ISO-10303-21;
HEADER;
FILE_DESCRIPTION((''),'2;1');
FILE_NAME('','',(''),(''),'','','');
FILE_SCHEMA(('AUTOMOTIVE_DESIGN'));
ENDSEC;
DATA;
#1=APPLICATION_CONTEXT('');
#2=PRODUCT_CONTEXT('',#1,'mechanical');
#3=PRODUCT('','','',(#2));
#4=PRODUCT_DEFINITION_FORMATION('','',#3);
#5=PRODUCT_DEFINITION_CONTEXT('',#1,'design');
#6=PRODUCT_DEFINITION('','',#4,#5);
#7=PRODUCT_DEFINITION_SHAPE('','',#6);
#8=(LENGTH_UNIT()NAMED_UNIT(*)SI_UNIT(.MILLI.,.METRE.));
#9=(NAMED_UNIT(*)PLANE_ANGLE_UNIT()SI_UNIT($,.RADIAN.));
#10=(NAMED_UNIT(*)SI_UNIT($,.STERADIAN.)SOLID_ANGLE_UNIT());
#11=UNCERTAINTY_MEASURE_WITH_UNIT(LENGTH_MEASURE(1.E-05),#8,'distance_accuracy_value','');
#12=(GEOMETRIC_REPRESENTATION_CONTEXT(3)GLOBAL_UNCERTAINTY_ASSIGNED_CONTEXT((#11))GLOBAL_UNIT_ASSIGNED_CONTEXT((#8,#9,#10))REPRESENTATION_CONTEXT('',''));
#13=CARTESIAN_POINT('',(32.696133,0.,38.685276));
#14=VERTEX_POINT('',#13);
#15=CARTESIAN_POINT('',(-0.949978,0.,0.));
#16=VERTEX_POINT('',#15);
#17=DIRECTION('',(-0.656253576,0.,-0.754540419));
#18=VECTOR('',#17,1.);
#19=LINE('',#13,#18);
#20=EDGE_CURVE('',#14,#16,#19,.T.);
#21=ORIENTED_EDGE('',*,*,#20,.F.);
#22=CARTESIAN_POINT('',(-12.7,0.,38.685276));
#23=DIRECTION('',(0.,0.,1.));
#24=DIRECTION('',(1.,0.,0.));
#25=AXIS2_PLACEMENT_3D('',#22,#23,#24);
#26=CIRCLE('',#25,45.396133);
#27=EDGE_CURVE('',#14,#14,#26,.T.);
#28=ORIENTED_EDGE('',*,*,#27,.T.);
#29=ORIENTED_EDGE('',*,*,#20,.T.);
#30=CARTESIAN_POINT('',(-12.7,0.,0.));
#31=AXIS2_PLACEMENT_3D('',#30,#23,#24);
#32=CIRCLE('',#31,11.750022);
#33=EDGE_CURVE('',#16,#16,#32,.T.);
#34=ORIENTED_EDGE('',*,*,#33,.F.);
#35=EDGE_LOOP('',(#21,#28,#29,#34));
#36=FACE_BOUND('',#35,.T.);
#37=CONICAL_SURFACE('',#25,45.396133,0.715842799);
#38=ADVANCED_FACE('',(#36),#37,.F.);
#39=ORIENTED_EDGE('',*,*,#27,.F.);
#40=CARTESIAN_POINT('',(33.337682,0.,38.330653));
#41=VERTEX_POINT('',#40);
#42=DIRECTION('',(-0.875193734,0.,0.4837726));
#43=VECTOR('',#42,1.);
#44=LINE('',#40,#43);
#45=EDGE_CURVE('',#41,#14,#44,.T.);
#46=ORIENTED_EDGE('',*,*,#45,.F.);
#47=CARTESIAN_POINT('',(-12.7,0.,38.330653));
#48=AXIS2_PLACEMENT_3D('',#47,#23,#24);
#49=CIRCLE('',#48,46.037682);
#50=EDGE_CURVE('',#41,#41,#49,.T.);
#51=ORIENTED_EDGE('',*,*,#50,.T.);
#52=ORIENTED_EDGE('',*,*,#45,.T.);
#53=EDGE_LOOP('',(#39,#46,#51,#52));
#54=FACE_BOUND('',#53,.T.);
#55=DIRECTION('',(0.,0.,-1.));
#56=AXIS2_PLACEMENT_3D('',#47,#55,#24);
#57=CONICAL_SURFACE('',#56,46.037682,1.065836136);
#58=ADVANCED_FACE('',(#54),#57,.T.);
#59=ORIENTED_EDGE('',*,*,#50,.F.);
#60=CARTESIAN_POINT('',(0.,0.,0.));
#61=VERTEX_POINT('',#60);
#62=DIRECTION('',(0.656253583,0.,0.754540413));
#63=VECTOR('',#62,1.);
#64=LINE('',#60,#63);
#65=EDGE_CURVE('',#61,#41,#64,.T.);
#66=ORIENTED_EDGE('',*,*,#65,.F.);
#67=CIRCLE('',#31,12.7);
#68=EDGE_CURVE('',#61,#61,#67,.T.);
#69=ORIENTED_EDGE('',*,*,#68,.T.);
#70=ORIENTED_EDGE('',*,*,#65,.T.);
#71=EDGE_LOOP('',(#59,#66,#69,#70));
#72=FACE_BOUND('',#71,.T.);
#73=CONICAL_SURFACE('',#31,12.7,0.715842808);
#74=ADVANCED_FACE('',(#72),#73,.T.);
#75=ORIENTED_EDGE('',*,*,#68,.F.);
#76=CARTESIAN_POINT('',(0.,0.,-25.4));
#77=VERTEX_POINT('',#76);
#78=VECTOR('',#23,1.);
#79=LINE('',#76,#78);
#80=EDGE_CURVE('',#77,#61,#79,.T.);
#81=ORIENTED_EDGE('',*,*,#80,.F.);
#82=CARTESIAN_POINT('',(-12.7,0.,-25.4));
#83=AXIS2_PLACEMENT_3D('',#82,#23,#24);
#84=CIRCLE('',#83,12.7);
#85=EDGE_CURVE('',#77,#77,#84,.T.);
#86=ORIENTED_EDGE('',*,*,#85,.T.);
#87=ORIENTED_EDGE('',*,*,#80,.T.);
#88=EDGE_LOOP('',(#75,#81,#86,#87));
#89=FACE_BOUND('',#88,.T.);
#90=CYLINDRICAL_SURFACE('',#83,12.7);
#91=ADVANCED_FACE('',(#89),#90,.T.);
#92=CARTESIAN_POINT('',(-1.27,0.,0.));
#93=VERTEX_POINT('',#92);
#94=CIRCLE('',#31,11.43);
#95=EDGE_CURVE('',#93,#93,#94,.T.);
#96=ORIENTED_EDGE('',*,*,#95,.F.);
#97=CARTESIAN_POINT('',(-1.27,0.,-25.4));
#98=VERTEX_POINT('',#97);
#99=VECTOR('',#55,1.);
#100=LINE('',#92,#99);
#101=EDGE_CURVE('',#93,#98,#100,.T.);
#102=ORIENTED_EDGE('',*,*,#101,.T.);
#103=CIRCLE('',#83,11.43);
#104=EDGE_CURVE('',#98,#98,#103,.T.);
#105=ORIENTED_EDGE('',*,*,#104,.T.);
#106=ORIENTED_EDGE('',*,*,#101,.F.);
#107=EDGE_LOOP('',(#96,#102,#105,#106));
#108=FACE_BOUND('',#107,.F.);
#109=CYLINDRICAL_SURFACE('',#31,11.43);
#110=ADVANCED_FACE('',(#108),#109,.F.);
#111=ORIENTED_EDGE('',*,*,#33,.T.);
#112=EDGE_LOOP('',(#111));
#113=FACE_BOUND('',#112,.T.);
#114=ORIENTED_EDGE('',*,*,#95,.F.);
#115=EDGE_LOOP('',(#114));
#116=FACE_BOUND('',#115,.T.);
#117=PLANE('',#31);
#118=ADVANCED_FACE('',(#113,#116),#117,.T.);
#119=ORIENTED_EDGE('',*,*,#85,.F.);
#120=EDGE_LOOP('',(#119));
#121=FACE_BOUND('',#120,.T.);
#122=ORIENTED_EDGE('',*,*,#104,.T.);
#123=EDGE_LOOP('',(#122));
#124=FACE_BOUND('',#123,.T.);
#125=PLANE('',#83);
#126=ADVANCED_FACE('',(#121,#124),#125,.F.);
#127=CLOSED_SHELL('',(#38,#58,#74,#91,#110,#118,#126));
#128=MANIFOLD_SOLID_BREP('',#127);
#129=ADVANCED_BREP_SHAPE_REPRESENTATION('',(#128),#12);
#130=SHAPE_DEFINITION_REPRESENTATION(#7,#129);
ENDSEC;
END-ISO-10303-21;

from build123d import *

# Parameters (mm, degrees)
F2_R     = 11.43
F3_DEPTH = 25.4


with BuildPart() as f1:
    # F0 (on Front) → F1 (revolve)
    with BuildSketch(Plane.XZ):
        Polygon((0, -25.4), (0, 0), (33.337682, 38.330653), (32.696133, 38.685276), (-0.949978, 0), (-12.7, 0), (-12.7, -25.4), align=None)
    revolve(axis=Axis((-12.7, 0, -12.7), (0, 0, 1)))

    # F2 (on Top) → F3 (cut)
    with BuildSketch(Plane.XY):
        with Locations((-12.7, 0)):
            Circle(F2_R)
    extrude(amount=-F3_DEPTH, mode=Mode.SUBTRACT)


solid = f1.part
